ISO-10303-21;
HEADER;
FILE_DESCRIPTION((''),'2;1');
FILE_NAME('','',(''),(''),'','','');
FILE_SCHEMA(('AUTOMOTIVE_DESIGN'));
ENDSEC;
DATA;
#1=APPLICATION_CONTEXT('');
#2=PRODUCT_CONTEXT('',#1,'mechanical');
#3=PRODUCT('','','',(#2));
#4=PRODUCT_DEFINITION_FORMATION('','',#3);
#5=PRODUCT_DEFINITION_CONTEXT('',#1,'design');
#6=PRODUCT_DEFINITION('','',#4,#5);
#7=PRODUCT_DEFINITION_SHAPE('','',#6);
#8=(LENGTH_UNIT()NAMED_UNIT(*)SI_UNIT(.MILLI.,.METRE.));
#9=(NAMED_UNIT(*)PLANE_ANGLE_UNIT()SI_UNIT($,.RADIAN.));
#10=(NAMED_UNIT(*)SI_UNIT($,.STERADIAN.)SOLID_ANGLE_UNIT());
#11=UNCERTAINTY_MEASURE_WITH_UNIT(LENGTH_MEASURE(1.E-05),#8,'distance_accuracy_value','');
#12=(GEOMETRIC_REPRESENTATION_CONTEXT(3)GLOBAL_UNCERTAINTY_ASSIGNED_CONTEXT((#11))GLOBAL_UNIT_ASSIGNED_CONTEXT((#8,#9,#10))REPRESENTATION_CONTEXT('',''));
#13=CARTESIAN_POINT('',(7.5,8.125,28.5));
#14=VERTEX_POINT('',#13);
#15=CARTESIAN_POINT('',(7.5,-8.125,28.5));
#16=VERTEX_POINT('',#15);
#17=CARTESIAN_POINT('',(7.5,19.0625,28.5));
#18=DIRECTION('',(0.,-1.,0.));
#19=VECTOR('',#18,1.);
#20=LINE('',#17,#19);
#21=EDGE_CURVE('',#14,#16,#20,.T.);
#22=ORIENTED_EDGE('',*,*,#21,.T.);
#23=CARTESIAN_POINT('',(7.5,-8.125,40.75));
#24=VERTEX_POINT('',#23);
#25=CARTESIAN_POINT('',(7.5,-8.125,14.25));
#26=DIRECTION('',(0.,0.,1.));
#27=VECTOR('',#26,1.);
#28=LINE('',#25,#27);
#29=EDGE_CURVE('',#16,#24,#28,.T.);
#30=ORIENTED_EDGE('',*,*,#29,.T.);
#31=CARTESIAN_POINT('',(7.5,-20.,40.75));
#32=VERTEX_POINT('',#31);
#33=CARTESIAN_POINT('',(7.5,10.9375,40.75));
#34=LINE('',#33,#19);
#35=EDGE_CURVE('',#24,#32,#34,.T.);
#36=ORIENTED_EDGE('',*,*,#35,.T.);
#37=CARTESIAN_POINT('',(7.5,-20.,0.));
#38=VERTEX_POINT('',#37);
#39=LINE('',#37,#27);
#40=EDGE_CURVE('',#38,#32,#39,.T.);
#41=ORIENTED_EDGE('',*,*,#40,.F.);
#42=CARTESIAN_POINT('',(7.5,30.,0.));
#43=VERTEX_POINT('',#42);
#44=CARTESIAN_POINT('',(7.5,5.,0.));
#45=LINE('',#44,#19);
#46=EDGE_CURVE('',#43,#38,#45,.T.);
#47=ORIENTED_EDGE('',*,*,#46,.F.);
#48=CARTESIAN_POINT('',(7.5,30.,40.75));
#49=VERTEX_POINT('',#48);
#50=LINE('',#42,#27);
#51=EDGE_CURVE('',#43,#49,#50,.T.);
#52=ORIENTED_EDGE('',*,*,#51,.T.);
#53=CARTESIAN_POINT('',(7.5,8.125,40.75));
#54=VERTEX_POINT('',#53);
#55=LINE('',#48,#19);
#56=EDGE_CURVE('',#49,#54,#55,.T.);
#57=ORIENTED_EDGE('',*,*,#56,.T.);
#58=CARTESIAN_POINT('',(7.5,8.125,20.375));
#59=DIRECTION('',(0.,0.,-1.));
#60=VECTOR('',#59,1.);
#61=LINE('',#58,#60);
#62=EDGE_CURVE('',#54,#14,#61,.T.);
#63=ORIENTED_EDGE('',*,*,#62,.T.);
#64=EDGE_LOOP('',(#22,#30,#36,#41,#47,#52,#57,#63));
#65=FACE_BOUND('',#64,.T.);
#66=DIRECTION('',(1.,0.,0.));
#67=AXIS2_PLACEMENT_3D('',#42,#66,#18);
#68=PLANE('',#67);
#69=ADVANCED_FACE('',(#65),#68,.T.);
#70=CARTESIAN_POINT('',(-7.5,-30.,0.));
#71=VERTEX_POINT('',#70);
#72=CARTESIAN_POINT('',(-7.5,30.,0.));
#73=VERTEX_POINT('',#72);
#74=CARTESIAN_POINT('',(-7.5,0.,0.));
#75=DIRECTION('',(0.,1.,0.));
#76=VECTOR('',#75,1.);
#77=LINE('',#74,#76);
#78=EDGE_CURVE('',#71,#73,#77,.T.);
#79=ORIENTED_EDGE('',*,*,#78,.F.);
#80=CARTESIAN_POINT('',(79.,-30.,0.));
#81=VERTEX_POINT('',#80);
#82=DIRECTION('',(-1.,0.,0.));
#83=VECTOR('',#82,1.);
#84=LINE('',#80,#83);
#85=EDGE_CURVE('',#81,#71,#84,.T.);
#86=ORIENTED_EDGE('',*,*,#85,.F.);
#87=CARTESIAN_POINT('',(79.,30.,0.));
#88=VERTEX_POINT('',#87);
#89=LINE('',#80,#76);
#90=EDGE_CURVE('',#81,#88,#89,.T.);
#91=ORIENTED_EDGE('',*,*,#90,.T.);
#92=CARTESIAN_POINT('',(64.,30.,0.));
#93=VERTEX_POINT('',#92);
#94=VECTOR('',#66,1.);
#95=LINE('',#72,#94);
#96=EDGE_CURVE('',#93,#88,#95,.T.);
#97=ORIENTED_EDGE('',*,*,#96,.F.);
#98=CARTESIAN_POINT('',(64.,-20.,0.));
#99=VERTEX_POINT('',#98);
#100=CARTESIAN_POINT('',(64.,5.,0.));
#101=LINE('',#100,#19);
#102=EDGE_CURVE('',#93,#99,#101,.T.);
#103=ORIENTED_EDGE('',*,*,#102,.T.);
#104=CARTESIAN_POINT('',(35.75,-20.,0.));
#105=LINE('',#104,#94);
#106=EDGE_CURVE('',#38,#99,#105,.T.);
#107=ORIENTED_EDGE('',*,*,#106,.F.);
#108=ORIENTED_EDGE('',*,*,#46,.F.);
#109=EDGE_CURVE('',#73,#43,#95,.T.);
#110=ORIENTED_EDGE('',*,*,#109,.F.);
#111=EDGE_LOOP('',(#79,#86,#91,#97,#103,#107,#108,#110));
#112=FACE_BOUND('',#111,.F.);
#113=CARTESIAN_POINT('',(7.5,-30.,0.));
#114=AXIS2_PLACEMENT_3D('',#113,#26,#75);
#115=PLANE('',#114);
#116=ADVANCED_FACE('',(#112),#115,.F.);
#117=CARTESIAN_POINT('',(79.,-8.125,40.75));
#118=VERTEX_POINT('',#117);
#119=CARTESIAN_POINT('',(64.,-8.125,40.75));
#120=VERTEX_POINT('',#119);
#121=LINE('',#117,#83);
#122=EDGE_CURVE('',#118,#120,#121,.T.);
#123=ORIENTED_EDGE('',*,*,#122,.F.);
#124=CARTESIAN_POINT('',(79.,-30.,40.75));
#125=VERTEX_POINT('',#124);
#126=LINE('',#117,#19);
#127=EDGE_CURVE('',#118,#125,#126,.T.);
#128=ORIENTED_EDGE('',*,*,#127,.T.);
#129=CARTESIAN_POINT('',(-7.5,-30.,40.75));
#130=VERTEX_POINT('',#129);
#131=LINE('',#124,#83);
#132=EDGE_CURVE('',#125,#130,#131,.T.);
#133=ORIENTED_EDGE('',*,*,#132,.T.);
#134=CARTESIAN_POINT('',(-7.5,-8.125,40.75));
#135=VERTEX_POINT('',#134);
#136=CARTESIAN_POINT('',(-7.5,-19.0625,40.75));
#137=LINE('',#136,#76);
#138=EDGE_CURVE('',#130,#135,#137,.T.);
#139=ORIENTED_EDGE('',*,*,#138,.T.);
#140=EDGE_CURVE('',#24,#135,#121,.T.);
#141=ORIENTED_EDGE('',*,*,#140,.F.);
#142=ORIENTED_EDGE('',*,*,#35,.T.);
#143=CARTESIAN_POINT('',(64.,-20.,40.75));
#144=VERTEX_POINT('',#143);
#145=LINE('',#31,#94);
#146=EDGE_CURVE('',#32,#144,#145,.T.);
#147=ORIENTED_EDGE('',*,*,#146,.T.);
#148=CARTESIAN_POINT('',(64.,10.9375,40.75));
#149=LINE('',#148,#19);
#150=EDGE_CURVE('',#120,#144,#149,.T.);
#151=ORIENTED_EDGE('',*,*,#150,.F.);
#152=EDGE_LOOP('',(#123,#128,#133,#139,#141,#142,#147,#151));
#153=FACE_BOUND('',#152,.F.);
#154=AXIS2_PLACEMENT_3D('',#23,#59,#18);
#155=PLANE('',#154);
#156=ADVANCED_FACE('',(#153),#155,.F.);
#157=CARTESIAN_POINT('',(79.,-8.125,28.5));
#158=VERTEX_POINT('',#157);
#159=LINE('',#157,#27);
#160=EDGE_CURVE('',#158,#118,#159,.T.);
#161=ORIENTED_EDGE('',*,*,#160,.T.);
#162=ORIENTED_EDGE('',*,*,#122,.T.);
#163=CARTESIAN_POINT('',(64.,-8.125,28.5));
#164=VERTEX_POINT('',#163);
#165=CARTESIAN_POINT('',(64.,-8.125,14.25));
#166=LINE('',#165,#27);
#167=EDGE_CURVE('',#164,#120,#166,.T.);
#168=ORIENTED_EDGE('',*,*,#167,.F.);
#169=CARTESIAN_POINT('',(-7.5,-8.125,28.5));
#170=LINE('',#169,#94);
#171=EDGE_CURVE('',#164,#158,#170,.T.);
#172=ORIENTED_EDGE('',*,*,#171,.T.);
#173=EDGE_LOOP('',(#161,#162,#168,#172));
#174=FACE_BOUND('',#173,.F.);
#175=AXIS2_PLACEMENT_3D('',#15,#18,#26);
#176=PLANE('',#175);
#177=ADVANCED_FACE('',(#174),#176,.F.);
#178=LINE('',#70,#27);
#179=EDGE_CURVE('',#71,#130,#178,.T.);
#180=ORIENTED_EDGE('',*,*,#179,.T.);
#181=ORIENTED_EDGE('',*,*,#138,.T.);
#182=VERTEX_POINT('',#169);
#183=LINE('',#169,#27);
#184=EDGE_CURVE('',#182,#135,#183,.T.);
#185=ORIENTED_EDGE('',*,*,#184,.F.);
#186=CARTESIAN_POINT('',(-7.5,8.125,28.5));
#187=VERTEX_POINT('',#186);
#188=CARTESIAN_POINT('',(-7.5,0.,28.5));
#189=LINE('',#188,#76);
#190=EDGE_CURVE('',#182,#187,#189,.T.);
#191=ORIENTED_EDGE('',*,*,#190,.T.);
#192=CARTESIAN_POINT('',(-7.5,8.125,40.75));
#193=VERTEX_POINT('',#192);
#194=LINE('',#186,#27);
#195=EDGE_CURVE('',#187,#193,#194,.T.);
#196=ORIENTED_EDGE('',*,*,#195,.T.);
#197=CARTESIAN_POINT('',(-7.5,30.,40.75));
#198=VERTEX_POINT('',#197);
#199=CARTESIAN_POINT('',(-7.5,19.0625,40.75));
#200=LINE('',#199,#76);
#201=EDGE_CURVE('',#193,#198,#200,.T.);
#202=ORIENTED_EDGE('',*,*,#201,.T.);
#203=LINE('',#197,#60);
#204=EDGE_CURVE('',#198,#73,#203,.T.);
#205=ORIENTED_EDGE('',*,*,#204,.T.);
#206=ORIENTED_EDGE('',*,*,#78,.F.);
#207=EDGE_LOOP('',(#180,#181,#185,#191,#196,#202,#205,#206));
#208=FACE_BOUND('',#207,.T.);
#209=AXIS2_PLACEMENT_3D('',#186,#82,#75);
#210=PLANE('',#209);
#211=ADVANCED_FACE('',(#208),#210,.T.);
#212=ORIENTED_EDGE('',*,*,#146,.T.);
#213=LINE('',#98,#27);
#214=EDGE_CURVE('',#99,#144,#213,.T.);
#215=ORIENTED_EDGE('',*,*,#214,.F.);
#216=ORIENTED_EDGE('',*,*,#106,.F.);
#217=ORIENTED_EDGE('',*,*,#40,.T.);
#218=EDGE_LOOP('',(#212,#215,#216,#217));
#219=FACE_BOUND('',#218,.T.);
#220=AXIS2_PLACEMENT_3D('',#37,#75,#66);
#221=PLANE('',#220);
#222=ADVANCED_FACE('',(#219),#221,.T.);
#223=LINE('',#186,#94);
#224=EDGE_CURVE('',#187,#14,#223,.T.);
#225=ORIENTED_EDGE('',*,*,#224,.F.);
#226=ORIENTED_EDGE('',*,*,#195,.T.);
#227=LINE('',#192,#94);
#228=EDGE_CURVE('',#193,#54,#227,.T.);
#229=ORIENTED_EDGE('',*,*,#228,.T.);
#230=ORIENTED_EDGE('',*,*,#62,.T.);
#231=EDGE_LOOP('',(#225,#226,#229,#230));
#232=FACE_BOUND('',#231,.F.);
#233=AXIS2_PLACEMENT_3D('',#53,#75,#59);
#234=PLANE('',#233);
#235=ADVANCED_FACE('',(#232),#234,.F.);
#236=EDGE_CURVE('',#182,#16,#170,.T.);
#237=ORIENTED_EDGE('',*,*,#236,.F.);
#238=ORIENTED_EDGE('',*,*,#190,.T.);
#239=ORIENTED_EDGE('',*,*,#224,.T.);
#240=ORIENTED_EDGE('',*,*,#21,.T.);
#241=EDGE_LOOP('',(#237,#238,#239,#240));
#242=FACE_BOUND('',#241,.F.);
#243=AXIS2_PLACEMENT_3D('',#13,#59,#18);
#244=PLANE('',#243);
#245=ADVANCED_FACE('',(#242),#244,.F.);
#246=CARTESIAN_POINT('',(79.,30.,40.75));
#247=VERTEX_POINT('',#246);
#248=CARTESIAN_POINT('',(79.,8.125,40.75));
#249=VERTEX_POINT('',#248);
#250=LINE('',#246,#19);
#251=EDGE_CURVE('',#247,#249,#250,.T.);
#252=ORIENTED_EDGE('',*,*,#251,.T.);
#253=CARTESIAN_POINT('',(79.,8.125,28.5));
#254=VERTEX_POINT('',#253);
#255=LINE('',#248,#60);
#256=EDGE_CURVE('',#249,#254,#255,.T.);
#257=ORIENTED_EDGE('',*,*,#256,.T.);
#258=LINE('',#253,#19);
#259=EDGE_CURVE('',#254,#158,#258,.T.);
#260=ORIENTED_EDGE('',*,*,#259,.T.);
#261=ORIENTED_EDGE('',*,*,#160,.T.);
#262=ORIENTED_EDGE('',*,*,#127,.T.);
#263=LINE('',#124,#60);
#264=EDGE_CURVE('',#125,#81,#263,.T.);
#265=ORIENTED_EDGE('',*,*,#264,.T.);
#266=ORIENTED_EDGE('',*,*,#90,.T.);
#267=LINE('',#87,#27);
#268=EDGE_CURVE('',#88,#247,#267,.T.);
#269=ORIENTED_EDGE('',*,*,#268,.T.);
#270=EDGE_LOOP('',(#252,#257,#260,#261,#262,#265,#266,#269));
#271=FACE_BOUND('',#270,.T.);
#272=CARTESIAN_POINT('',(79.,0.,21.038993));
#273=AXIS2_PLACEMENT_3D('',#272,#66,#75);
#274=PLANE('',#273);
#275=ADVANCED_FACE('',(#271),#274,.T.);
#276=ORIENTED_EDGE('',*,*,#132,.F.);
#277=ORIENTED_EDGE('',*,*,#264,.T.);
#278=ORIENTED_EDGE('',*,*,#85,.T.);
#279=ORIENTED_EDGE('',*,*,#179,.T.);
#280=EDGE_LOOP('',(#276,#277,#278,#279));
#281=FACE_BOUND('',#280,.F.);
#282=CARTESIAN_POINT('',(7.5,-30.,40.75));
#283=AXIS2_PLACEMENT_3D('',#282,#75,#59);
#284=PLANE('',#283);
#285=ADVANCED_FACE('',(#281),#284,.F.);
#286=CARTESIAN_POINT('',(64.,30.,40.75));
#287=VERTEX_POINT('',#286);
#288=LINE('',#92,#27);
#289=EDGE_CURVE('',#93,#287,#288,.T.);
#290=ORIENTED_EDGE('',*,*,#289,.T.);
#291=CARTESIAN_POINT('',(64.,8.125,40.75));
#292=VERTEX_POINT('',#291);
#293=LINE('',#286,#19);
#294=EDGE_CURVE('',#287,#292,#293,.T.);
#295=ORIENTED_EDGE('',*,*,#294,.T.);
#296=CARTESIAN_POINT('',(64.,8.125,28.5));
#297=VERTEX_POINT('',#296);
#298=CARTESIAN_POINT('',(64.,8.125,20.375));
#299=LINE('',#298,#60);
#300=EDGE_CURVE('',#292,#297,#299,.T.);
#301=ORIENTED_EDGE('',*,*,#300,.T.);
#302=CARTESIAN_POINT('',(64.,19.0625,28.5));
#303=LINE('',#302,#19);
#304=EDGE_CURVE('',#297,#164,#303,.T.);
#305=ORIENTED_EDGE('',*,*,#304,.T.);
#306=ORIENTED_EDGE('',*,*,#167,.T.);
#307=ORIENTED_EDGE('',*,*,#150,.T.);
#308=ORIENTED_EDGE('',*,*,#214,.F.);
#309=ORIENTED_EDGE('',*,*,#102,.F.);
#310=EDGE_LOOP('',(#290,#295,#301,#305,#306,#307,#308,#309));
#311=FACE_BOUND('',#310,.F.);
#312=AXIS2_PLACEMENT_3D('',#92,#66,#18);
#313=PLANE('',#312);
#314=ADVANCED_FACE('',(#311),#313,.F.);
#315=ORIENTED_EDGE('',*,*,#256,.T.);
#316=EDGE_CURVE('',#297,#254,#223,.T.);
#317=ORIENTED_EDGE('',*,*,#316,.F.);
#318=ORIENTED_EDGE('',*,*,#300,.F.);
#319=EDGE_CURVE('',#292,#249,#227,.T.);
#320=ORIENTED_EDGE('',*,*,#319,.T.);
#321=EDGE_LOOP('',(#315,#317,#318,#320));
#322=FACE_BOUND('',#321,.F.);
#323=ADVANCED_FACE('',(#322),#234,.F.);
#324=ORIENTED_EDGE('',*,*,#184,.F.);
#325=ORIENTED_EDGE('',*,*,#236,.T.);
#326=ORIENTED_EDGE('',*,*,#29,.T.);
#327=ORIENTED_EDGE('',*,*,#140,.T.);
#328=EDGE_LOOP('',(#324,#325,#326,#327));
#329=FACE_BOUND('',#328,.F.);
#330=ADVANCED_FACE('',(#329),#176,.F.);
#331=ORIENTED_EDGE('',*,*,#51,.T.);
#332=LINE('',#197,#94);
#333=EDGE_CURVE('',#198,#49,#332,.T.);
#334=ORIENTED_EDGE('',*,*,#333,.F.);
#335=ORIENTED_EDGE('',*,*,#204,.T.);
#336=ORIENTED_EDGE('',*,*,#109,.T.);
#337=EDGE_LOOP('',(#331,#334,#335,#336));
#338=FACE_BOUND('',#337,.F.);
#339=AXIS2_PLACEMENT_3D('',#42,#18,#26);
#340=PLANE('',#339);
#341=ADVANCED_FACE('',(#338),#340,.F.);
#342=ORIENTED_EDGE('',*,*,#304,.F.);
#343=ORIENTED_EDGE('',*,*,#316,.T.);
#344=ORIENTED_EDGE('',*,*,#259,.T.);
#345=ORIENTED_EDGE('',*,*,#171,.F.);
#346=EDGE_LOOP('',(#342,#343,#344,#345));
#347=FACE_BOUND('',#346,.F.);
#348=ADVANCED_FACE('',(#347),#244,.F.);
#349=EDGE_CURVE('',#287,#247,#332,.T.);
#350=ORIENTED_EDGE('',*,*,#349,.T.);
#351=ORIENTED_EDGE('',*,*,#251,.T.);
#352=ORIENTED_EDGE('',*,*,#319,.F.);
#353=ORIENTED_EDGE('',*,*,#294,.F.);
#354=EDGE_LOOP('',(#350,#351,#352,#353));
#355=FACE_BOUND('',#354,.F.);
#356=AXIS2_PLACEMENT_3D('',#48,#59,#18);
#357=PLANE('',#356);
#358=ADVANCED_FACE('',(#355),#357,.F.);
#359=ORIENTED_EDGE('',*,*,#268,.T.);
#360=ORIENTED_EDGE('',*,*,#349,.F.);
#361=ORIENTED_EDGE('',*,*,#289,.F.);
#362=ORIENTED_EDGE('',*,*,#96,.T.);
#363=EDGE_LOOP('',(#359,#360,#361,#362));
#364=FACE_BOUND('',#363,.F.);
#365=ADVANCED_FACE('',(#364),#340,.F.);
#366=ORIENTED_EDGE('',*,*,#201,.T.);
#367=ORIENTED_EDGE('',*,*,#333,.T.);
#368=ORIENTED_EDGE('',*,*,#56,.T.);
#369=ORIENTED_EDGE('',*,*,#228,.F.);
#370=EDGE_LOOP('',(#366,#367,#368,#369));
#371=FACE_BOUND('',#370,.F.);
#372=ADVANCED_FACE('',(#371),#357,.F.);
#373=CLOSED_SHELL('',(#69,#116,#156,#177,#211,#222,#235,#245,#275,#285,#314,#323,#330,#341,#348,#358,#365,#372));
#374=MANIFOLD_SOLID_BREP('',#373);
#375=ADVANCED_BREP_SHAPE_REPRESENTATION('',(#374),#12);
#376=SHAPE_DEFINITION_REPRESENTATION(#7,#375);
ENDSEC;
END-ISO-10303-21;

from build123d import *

# Parameters (mm, degrees)
F0_W     = 15
F0_H     = 60
F1_DEPTH = 28.5
F3_W     = 56.5
F3_H     = 50
F4_DEPTH = 28.501
F2_W     = 15
F2_H     = 21.875
F5_DEPTH = 12.25
F6_DEPTH = 71.5
F7_DEPTH = 40.751


with BuildPart() as f1:
    # F0 (on Top) → F1 (new body)
    with BuildSketch(Plane.XY):
        Rectangle(F0_W, F0_H)
    extrude(amount=F1_DEPTH)

    # F3 (on face) → F4 (cut, through all)
    with BuildSketch(Plane(origin=(0, 0, 0), x_dir=(1, 0, 0), z_dir=(0, 0, -1))):
        with Locations((35.75, -5)):
            Rectangle(F3_W, F3_H)
    extrude(amount=-F4_DEPTH, mode=Mode.SUBTRACT)

    # F2 (on face) → F5 (join)
    with BuildSketch(Plane.XY.offset(28.5)):
        with Locations((0, 19.0625)):
            Rectangle(F2_W, F2_H)
        with Locations((0, -19.0625)):
            Rectangle(F2_W, F2_H)
    extrude(amount=F5_DEPTH)

    # F5_face (on face) → F6 (join)
    with BuildSketch(Plane(origin=(7.5, 0, 19.11199), x_dir=(0, 1, 0), z_dir=(1, 0, 0))):
        Polygon((-30, -19.11199), (30, -19.11199), (30, 21.63801), (8.125, 21.63801), (8.125, 9.38801), (-8.125, 9.38801), (-8.125, 21.63801), (-30, 21.63801), align=None)
    extrude(amount=F6_DEPTH)

    # F3 (on face) → F7 (cut, through all)
    with BuildSketch(Plane(origin=(0, 0, 0), x_dir=(1, 0, 0), z_dir=(0, 0, -1))):
        with Locations((35.75, -5)):
            Rectangle(F3_W, F3_H)
    extrude(amount=-F7_DEPTH, mode=Mode.SUBTRACT)


solid = f1.part
